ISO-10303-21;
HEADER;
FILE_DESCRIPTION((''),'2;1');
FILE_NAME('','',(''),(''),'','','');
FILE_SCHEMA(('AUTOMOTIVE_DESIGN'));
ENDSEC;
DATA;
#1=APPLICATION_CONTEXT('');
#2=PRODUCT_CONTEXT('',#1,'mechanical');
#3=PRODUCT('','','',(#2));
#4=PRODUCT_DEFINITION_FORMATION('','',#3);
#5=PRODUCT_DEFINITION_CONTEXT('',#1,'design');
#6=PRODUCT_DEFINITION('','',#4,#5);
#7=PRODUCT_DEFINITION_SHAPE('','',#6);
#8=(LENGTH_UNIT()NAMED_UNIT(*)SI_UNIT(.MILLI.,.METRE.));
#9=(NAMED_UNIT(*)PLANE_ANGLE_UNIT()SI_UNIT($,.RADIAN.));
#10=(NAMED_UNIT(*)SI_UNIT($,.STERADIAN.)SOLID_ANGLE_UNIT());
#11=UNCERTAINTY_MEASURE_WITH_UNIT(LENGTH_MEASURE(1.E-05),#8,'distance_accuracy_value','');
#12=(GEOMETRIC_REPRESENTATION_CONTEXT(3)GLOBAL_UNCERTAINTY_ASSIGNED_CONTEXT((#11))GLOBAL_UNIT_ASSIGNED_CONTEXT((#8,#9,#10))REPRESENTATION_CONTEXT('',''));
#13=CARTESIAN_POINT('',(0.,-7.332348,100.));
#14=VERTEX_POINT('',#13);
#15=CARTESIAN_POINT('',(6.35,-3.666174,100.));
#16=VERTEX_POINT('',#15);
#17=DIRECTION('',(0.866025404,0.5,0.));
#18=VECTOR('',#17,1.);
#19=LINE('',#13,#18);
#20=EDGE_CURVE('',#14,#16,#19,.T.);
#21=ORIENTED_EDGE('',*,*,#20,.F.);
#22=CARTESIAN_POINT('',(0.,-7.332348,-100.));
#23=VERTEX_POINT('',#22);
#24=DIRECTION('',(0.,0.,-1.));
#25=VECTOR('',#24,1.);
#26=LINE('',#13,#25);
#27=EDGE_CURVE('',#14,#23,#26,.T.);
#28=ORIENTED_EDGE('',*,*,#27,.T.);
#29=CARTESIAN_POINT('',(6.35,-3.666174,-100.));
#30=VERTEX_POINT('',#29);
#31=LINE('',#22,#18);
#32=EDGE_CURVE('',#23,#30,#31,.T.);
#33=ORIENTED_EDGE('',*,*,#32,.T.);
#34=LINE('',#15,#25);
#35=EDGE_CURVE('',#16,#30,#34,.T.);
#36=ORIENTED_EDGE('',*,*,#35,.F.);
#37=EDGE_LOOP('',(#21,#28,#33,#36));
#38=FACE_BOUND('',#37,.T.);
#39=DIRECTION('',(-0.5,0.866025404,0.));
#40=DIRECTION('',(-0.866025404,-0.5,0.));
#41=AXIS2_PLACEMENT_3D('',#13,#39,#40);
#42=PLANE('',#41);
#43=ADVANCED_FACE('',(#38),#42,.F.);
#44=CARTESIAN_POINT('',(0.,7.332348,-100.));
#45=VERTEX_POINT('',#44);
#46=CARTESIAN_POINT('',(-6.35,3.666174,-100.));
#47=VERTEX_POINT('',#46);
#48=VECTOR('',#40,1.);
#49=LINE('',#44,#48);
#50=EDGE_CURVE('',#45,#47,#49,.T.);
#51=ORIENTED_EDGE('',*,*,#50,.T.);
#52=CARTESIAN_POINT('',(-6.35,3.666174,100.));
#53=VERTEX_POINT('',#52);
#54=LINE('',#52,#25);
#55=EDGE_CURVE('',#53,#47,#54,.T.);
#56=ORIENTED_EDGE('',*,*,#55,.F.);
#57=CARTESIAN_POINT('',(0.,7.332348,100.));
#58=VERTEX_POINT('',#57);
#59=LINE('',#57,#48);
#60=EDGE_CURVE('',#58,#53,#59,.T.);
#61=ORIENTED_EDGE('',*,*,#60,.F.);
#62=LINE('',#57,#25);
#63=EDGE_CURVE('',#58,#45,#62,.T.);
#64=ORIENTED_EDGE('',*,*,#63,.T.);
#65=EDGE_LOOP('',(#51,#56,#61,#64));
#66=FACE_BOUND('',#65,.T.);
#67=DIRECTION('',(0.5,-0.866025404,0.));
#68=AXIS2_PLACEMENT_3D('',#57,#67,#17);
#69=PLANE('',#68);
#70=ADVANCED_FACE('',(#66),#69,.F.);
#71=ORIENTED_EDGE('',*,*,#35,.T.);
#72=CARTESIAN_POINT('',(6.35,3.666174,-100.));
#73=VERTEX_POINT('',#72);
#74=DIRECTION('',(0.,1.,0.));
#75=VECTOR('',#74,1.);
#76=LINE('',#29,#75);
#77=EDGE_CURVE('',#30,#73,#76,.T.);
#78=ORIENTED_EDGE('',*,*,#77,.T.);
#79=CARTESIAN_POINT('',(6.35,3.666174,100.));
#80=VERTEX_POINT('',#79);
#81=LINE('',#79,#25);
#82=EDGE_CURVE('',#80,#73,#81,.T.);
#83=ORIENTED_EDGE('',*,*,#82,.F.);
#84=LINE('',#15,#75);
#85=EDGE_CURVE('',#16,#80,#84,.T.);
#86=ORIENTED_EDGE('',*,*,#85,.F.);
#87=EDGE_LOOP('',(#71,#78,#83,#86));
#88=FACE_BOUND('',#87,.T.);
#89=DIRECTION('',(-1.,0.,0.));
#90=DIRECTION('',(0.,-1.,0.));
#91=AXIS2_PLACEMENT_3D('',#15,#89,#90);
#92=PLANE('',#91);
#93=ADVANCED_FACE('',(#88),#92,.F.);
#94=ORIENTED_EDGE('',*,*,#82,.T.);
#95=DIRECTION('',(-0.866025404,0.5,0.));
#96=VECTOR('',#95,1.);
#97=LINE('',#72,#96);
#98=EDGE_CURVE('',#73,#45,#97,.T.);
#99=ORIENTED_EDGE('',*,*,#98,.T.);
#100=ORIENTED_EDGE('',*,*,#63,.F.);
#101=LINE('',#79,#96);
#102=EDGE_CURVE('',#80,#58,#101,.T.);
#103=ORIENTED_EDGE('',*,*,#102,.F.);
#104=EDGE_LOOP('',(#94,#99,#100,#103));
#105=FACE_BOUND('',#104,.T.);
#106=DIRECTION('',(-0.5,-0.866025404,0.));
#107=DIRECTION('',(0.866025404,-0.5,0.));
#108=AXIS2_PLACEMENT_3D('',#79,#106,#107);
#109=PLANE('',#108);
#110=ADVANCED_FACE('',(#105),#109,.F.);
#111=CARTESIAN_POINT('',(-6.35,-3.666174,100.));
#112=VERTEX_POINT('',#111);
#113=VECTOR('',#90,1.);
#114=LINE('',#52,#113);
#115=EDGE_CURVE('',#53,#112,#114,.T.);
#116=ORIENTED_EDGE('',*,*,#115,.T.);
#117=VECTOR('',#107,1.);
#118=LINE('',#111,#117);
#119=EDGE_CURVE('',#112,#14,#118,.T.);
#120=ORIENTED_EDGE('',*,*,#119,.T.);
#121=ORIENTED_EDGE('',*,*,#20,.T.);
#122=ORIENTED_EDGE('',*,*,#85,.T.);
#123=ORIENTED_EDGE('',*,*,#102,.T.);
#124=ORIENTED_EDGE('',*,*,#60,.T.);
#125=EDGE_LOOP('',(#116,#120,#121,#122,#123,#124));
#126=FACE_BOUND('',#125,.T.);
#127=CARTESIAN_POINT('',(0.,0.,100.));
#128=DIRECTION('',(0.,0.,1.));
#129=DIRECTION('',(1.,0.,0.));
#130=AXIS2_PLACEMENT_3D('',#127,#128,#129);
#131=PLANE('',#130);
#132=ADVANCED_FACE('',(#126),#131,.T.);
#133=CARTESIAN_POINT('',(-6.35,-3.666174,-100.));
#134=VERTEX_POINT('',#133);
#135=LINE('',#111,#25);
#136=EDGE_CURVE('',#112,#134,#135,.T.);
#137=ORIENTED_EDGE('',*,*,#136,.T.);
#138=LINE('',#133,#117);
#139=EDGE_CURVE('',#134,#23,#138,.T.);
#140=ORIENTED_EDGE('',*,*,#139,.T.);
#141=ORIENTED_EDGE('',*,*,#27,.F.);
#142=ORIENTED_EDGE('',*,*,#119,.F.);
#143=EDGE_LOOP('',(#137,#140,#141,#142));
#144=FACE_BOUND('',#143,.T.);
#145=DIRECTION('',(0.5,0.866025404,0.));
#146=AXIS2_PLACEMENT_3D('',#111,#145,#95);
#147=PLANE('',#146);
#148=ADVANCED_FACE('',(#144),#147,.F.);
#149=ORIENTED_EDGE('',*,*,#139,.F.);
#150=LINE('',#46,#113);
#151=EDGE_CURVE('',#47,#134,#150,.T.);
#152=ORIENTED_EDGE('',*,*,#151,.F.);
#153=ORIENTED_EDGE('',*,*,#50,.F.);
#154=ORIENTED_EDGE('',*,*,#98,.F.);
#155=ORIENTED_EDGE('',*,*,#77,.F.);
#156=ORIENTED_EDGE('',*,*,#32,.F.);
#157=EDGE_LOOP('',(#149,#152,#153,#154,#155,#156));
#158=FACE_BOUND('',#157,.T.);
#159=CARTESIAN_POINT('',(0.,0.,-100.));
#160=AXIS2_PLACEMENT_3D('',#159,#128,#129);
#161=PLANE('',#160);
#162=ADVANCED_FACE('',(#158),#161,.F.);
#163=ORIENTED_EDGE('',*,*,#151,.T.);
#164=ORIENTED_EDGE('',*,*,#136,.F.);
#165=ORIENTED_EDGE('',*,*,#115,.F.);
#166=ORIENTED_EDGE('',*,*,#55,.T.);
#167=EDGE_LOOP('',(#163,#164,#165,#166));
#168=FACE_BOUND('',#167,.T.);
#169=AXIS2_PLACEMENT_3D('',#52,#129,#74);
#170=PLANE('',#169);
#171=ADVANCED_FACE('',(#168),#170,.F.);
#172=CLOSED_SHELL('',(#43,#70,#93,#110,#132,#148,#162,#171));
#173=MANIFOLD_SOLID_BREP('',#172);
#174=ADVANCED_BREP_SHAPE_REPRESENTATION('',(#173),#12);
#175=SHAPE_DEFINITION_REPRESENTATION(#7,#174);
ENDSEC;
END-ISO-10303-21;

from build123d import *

# Parameters (mm, degrees)
BOSS_EXTRUDE1_DEPTH = 100


with BuildPart() as part:
    # Sketch1 → Boss-Extrude1 (new, symmetric)
    with BuildSketch(Plane.XY):
        Polygon((6.35, 3.666174209), (0, 7.332348419), (-6.35, 3.666174209), (-6.35, -3.666174209), (0, -7.332348419), (6.35, -3.666174209), align=None)
    extrude(amount=BOSS_EXTRUDE1_DEPTH, both=True)


solid = part.part
